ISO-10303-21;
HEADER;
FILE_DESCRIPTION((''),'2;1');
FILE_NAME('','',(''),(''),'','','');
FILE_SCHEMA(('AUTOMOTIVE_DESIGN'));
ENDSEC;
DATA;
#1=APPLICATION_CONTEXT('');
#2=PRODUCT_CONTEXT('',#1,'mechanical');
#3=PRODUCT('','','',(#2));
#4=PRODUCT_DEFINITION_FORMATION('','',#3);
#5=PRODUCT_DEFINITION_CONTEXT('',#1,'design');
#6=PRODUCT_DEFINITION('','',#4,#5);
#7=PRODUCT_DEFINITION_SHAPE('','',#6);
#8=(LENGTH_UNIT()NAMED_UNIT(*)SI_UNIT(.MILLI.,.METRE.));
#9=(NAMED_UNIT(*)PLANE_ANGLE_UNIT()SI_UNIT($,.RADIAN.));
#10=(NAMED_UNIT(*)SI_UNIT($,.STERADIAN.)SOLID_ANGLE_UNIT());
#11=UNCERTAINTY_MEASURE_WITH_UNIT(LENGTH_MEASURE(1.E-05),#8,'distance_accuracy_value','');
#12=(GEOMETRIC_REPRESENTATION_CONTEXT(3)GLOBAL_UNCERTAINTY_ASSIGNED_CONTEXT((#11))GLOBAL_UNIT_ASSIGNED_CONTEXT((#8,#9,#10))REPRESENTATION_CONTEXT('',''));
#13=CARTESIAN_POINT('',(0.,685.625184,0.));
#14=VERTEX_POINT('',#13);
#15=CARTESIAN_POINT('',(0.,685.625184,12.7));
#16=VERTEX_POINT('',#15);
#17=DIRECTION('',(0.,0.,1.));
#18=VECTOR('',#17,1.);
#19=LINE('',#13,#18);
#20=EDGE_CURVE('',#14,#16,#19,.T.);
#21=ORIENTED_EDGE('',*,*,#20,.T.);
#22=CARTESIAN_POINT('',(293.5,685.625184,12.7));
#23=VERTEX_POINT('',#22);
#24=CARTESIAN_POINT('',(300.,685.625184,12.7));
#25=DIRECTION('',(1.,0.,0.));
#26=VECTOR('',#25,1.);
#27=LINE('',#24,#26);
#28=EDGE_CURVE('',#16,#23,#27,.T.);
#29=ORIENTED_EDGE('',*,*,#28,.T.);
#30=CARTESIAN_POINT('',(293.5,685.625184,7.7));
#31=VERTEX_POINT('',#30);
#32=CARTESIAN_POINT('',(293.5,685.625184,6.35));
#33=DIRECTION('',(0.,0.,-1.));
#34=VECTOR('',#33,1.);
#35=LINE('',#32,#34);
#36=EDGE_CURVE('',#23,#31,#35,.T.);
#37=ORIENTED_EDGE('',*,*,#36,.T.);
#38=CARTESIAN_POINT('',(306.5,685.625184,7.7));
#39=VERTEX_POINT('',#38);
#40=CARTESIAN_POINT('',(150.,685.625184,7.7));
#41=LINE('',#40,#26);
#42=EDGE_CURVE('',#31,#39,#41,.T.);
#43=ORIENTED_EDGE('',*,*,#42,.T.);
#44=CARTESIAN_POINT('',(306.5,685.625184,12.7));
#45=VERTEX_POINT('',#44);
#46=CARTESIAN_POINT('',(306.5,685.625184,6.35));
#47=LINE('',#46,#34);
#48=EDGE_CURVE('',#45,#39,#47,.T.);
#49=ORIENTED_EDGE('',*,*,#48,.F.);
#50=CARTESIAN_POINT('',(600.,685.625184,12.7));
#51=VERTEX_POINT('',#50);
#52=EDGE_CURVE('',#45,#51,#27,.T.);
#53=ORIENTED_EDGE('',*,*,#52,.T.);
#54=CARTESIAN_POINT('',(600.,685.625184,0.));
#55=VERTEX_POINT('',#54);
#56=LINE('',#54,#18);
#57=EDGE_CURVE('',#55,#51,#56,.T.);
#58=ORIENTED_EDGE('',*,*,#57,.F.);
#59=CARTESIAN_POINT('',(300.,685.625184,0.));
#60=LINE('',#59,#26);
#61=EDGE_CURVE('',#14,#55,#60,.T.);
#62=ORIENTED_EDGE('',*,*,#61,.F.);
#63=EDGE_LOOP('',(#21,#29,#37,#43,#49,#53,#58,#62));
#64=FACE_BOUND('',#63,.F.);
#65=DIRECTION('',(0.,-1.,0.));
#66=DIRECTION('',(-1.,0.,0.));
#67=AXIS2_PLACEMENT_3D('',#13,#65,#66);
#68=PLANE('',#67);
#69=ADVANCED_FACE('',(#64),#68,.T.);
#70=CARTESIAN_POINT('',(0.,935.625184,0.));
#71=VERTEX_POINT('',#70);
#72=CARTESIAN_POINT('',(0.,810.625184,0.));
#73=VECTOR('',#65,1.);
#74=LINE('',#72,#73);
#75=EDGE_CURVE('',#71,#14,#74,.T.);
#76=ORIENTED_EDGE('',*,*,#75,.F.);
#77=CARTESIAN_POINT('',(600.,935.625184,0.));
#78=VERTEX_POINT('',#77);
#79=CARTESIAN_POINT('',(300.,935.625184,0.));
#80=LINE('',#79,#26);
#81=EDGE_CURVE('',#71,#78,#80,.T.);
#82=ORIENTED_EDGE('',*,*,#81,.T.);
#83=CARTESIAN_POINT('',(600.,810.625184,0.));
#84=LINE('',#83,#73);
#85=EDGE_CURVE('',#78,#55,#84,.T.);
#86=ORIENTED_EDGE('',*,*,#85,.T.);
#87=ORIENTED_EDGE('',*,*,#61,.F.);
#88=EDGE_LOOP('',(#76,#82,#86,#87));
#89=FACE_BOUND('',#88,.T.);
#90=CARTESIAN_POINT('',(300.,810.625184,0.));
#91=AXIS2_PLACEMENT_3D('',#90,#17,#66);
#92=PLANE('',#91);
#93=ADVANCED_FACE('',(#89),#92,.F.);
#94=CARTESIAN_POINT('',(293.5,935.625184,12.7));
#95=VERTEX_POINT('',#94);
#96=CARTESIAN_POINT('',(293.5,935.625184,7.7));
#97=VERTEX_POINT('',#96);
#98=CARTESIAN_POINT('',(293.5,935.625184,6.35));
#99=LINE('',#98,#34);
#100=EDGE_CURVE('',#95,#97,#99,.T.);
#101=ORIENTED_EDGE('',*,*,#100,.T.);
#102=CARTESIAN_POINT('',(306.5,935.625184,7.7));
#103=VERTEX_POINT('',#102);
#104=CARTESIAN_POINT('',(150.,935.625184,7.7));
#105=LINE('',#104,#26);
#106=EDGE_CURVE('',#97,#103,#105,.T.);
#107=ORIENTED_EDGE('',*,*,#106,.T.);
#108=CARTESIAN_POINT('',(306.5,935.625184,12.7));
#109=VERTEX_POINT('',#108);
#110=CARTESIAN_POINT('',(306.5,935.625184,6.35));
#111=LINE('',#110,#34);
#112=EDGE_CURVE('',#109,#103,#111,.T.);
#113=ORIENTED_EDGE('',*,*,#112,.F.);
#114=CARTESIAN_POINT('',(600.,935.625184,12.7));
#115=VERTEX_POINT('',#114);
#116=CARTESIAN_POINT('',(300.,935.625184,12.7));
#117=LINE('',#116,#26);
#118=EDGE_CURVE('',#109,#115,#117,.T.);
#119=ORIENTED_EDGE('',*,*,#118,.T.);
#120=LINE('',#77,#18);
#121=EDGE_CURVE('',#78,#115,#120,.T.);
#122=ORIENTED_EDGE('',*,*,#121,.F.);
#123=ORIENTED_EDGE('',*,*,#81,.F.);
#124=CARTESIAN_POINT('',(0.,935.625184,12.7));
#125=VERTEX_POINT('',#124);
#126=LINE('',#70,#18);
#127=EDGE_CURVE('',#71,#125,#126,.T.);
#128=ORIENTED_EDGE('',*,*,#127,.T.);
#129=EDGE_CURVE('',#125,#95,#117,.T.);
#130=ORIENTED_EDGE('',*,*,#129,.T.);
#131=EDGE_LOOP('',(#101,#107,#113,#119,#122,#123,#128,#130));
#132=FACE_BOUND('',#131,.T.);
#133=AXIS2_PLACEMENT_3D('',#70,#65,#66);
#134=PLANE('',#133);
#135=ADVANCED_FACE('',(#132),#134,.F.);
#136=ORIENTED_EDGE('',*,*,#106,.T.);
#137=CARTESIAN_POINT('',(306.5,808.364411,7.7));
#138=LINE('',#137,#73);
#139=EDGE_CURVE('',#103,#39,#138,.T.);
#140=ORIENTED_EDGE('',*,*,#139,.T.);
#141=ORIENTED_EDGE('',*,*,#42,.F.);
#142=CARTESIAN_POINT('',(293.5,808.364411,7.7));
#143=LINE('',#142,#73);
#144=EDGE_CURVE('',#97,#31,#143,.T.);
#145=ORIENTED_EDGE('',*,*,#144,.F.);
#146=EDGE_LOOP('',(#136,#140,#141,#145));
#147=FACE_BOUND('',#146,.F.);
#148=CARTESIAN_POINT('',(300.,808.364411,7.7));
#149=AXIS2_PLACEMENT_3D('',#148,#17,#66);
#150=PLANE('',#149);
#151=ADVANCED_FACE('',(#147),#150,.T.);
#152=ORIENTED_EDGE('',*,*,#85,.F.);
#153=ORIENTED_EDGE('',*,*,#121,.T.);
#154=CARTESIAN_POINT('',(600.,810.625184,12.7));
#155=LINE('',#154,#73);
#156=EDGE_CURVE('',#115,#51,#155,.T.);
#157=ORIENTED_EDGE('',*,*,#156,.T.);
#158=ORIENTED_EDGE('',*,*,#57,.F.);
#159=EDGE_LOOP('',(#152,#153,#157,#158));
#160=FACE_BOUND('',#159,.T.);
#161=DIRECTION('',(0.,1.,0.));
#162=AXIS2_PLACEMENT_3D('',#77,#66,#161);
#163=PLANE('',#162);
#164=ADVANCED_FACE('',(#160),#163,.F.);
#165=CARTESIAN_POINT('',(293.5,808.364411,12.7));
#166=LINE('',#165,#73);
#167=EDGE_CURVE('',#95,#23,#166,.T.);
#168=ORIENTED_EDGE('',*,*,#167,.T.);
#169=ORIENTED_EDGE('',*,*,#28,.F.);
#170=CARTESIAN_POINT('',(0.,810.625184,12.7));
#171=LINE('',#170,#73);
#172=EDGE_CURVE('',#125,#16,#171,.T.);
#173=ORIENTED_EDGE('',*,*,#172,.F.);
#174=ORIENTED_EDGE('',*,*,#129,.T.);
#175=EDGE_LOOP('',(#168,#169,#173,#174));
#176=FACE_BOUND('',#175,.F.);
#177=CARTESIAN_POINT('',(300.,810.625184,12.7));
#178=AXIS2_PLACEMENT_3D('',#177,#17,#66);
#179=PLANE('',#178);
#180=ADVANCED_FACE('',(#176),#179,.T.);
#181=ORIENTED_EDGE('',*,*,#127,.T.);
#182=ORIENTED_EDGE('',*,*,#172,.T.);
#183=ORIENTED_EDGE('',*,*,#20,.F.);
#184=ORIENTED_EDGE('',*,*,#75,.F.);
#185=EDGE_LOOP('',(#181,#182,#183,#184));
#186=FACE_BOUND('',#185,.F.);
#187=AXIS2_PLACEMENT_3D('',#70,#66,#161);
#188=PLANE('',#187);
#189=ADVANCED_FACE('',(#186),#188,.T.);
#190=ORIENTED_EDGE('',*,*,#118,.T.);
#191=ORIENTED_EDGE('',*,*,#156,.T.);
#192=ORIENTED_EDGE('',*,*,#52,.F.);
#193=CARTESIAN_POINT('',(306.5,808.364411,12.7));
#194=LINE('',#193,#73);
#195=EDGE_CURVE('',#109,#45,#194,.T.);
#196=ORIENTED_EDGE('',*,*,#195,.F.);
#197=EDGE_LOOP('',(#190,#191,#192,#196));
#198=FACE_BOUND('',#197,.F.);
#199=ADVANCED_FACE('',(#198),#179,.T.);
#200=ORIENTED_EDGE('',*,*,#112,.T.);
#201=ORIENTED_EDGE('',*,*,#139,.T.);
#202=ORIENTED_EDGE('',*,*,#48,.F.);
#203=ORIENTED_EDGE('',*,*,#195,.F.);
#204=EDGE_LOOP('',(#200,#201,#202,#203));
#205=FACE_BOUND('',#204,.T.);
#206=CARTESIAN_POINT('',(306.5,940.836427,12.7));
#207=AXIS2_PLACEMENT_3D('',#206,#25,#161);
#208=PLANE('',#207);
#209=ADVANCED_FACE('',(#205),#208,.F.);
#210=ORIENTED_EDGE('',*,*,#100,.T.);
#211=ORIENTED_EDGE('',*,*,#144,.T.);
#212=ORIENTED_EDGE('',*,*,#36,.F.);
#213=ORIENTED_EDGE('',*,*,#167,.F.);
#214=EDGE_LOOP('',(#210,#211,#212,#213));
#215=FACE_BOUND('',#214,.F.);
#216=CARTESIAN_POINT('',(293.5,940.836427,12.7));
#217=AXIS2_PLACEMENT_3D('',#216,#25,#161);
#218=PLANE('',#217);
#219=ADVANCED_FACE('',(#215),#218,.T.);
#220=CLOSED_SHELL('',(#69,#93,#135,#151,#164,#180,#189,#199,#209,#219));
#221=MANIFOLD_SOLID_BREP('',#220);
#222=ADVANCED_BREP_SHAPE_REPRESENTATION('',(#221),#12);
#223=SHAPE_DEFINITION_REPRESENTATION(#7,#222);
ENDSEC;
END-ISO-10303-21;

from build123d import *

# Parameters (mm, degrees)
SKETCH002_W     = 600
SKETCH002_H     = 250
PAD002_DEPTH    = 12.7
SKETCH008_W     = 13
SKETCH008_H     = 264.944031
POCKET002_DEPTH = 5


with BuildPart() as bottom:
    # Sketch002 → Pad002 (new body)
    with BuildSketch(Plane.XY):
        with Locations((300, 541.24469)):
            Rectangle(SKETCH002_W, SKETCH002_H)
    extrude(amount=PAD002_DEPTH)

    # Sketch008 (on Face6 of Pad002) → Pocket002 (cut)
    with BuildSketch(Plane.XY.offset(12.7)):
        with Locations((300, 543.505463)):
            Rectangle(SKETCH008_W, SKETCH008_H)
    extrude(amount=-POCKET002_DEPTH, mode=Mode.SUBTRACT)


with BuildPart() as model_bottom_mirrored:
    # Mirror002: instance of Bottom
    add(bottom.part.mirror(Plane(origin=(-4.230286, 675.934937, 0), x_dir=(-1, 0, 0), z_dir=(0, -1, 0))))


solid = model_bottom_mirrored.part
